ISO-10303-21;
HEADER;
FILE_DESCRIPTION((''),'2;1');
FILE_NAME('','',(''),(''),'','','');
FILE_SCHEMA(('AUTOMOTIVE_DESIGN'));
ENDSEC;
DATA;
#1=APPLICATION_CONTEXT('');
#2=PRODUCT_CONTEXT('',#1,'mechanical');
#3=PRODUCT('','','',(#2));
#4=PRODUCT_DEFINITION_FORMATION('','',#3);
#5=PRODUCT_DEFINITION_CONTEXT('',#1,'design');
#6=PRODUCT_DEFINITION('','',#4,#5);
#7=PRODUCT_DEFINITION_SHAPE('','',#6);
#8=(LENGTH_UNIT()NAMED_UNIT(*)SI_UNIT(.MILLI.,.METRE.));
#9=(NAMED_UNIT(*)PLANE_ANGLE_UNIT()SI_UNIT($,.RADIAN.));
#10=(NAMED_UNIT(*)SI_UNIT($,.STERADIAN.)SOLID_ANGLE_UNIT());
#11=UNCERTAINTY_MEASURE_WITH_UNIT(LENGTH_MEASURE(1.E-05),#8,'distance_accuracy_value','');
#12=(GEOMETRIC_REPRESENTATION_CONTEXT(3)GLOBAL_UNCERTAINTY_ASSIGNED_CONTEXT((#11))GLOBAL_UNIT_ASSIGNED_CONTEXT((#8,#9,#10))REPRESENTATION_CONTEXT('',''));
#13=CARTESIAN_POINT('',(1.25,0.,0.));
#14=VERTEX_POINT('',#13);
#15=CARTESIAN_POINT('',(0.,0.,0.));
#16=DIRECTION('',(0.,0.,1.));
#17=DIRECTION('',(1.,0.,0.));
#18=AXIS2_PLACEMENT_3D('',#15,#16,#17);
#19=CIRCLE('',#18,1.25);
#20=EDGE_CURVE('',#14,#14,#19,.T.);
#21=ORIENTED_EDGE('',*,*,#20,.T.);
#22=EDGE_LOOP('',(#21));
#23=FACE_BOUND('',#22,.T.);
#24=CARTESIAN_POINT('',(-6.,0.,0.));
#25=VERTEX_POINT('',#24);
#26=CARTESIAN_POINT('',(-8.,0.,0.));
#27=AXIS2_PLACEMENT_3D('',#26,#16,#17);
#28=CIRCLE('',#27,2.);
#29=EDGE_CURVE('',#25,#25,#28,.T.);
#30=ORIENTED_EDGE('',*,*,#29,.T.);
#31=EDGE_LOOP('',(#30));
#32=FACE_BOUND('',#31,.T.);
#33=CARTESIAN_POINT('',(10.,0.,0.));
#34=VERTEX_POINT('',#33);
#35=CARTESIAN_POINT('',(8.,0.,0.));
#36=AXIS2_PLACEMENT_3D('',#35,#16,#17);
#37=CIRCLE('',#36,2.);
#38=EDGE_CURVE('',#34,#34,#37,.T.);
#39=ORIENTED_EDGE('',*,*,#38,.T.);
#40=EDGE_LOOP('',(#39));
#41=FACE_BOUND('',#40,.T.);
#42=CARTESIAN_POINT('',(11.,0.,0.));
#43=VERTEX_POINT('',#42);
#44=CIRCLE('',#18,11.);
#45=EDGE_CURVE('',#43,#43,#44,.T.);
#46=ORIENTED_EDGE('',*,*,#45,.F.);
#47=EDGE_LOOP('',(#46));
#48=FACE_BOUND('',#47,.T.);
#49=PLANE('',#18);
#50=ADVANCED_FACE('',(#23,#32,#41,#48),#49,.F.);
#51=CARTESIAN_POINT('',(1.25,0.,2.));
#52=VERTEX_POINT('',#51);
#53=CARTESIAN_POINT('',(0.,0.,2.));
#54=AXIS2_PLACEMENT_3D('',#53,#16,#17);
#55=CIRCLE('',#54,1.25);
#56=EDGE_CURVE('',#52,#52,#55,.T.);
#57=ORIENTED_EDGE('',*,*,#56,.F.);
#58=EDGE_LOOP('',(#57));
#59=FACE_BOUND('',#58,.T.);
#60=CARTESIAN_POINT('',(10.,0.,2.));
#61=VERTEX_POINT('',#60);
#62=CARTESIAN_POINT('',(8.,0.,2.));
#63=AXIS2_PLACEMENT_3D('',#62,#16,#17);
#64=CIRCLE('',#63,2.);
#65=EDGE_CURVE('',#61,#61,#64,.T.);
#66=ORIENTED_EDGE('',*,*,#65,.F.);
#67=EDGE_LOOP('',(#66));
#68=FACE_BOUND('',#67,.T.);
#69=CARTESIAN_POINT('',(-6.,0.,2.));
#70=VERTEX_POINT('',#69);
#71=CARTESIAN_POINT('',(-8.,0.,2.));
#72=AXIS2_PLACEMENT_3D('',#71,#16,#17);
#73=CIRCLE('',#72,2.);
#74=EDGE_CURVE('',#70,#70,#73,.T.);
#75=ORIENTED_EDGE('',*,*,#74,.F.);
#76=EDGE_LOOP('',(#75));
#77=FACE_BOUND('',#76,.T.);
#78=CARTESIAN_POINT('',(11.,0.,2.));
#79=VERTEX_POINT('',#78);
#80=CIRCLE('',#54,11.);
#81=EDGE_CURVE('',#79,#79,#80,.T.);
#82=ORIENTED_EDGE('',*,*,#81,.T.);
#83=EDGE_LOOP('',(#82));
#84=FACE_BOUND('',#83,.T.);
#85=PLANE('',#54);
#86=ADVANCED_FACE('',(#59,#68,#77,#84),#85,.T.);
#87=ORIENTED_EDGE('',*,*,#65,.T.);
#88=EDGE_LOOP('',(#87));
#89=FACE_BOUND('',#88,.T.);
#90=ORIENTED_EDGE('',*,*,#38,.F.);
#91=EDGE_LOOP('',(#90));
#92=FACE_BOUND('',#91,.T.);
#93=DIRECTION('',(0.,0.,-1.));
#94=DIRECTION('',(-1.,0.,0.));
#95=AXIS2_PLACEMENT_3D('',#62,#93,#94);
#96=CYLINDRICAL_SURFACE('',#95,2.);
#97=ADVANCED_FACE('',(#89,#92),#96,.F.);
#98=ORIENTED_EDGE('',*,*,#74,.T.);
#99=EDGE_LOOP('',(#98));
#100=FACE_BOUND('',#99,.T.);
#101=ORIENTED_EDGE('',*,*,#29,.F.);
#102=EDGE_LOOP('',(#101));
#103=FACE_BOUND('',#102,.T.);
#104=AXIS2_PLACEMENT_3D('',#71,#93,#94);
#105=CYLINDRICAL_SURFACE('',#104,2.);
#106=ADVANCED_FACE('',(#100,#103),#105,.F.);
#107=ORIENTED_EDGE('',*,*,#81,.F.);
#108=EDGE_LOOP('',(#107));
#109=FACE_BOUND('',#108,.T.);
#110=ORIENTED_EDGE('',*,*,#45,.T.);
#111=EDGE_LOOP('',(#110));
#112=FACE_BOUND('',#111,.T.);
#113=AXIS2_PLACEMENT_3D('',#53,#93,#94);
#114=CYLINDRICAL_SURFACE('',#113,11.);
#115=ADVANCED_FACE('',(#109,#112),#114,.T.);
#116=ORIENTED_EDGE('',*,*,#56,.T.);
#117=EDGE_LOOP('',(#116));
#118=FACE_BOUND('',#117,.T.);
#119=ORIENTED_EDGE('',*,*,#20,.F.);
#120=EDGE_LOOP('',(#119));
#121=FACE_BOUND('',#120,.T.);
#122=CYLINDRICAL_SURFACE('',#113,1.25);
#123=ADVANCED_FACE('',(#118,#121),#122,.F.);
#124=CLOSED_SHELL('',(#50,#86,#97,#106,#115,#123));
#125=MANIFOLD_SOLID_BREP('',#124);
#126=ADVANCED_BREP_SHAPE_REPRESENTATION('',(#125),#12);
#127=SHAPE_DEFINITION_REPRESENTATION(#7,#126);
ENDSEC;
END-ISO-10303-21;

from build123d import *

# Parameters (mm, degrees)
MODEL_R             = 11
MODEL_R_2           = 2
MODEL_R_3           = 1.25
BOSS_EXTRUDE1_DEPTH = 2


with BuildPart() as part:
    # Model → Boss-Extrude1 (new body)
    with BuildSketch(Plane.XY):
        Circle(MODEL_R)
        with Locations((8, 0)):
            Circle(MODEL_R_2, mode=Mode.SUBTRACT)
        with Locations((-8, 0)):
            Circle(MODEL_R_2, mode=Mode.SUBTRACT)
        Circle(MODEL_R_3, mode=Mode.SUBTRACT)
    extrude(amount=BOSS_EXTRUDE1_DEPTH)


solid = part.part
